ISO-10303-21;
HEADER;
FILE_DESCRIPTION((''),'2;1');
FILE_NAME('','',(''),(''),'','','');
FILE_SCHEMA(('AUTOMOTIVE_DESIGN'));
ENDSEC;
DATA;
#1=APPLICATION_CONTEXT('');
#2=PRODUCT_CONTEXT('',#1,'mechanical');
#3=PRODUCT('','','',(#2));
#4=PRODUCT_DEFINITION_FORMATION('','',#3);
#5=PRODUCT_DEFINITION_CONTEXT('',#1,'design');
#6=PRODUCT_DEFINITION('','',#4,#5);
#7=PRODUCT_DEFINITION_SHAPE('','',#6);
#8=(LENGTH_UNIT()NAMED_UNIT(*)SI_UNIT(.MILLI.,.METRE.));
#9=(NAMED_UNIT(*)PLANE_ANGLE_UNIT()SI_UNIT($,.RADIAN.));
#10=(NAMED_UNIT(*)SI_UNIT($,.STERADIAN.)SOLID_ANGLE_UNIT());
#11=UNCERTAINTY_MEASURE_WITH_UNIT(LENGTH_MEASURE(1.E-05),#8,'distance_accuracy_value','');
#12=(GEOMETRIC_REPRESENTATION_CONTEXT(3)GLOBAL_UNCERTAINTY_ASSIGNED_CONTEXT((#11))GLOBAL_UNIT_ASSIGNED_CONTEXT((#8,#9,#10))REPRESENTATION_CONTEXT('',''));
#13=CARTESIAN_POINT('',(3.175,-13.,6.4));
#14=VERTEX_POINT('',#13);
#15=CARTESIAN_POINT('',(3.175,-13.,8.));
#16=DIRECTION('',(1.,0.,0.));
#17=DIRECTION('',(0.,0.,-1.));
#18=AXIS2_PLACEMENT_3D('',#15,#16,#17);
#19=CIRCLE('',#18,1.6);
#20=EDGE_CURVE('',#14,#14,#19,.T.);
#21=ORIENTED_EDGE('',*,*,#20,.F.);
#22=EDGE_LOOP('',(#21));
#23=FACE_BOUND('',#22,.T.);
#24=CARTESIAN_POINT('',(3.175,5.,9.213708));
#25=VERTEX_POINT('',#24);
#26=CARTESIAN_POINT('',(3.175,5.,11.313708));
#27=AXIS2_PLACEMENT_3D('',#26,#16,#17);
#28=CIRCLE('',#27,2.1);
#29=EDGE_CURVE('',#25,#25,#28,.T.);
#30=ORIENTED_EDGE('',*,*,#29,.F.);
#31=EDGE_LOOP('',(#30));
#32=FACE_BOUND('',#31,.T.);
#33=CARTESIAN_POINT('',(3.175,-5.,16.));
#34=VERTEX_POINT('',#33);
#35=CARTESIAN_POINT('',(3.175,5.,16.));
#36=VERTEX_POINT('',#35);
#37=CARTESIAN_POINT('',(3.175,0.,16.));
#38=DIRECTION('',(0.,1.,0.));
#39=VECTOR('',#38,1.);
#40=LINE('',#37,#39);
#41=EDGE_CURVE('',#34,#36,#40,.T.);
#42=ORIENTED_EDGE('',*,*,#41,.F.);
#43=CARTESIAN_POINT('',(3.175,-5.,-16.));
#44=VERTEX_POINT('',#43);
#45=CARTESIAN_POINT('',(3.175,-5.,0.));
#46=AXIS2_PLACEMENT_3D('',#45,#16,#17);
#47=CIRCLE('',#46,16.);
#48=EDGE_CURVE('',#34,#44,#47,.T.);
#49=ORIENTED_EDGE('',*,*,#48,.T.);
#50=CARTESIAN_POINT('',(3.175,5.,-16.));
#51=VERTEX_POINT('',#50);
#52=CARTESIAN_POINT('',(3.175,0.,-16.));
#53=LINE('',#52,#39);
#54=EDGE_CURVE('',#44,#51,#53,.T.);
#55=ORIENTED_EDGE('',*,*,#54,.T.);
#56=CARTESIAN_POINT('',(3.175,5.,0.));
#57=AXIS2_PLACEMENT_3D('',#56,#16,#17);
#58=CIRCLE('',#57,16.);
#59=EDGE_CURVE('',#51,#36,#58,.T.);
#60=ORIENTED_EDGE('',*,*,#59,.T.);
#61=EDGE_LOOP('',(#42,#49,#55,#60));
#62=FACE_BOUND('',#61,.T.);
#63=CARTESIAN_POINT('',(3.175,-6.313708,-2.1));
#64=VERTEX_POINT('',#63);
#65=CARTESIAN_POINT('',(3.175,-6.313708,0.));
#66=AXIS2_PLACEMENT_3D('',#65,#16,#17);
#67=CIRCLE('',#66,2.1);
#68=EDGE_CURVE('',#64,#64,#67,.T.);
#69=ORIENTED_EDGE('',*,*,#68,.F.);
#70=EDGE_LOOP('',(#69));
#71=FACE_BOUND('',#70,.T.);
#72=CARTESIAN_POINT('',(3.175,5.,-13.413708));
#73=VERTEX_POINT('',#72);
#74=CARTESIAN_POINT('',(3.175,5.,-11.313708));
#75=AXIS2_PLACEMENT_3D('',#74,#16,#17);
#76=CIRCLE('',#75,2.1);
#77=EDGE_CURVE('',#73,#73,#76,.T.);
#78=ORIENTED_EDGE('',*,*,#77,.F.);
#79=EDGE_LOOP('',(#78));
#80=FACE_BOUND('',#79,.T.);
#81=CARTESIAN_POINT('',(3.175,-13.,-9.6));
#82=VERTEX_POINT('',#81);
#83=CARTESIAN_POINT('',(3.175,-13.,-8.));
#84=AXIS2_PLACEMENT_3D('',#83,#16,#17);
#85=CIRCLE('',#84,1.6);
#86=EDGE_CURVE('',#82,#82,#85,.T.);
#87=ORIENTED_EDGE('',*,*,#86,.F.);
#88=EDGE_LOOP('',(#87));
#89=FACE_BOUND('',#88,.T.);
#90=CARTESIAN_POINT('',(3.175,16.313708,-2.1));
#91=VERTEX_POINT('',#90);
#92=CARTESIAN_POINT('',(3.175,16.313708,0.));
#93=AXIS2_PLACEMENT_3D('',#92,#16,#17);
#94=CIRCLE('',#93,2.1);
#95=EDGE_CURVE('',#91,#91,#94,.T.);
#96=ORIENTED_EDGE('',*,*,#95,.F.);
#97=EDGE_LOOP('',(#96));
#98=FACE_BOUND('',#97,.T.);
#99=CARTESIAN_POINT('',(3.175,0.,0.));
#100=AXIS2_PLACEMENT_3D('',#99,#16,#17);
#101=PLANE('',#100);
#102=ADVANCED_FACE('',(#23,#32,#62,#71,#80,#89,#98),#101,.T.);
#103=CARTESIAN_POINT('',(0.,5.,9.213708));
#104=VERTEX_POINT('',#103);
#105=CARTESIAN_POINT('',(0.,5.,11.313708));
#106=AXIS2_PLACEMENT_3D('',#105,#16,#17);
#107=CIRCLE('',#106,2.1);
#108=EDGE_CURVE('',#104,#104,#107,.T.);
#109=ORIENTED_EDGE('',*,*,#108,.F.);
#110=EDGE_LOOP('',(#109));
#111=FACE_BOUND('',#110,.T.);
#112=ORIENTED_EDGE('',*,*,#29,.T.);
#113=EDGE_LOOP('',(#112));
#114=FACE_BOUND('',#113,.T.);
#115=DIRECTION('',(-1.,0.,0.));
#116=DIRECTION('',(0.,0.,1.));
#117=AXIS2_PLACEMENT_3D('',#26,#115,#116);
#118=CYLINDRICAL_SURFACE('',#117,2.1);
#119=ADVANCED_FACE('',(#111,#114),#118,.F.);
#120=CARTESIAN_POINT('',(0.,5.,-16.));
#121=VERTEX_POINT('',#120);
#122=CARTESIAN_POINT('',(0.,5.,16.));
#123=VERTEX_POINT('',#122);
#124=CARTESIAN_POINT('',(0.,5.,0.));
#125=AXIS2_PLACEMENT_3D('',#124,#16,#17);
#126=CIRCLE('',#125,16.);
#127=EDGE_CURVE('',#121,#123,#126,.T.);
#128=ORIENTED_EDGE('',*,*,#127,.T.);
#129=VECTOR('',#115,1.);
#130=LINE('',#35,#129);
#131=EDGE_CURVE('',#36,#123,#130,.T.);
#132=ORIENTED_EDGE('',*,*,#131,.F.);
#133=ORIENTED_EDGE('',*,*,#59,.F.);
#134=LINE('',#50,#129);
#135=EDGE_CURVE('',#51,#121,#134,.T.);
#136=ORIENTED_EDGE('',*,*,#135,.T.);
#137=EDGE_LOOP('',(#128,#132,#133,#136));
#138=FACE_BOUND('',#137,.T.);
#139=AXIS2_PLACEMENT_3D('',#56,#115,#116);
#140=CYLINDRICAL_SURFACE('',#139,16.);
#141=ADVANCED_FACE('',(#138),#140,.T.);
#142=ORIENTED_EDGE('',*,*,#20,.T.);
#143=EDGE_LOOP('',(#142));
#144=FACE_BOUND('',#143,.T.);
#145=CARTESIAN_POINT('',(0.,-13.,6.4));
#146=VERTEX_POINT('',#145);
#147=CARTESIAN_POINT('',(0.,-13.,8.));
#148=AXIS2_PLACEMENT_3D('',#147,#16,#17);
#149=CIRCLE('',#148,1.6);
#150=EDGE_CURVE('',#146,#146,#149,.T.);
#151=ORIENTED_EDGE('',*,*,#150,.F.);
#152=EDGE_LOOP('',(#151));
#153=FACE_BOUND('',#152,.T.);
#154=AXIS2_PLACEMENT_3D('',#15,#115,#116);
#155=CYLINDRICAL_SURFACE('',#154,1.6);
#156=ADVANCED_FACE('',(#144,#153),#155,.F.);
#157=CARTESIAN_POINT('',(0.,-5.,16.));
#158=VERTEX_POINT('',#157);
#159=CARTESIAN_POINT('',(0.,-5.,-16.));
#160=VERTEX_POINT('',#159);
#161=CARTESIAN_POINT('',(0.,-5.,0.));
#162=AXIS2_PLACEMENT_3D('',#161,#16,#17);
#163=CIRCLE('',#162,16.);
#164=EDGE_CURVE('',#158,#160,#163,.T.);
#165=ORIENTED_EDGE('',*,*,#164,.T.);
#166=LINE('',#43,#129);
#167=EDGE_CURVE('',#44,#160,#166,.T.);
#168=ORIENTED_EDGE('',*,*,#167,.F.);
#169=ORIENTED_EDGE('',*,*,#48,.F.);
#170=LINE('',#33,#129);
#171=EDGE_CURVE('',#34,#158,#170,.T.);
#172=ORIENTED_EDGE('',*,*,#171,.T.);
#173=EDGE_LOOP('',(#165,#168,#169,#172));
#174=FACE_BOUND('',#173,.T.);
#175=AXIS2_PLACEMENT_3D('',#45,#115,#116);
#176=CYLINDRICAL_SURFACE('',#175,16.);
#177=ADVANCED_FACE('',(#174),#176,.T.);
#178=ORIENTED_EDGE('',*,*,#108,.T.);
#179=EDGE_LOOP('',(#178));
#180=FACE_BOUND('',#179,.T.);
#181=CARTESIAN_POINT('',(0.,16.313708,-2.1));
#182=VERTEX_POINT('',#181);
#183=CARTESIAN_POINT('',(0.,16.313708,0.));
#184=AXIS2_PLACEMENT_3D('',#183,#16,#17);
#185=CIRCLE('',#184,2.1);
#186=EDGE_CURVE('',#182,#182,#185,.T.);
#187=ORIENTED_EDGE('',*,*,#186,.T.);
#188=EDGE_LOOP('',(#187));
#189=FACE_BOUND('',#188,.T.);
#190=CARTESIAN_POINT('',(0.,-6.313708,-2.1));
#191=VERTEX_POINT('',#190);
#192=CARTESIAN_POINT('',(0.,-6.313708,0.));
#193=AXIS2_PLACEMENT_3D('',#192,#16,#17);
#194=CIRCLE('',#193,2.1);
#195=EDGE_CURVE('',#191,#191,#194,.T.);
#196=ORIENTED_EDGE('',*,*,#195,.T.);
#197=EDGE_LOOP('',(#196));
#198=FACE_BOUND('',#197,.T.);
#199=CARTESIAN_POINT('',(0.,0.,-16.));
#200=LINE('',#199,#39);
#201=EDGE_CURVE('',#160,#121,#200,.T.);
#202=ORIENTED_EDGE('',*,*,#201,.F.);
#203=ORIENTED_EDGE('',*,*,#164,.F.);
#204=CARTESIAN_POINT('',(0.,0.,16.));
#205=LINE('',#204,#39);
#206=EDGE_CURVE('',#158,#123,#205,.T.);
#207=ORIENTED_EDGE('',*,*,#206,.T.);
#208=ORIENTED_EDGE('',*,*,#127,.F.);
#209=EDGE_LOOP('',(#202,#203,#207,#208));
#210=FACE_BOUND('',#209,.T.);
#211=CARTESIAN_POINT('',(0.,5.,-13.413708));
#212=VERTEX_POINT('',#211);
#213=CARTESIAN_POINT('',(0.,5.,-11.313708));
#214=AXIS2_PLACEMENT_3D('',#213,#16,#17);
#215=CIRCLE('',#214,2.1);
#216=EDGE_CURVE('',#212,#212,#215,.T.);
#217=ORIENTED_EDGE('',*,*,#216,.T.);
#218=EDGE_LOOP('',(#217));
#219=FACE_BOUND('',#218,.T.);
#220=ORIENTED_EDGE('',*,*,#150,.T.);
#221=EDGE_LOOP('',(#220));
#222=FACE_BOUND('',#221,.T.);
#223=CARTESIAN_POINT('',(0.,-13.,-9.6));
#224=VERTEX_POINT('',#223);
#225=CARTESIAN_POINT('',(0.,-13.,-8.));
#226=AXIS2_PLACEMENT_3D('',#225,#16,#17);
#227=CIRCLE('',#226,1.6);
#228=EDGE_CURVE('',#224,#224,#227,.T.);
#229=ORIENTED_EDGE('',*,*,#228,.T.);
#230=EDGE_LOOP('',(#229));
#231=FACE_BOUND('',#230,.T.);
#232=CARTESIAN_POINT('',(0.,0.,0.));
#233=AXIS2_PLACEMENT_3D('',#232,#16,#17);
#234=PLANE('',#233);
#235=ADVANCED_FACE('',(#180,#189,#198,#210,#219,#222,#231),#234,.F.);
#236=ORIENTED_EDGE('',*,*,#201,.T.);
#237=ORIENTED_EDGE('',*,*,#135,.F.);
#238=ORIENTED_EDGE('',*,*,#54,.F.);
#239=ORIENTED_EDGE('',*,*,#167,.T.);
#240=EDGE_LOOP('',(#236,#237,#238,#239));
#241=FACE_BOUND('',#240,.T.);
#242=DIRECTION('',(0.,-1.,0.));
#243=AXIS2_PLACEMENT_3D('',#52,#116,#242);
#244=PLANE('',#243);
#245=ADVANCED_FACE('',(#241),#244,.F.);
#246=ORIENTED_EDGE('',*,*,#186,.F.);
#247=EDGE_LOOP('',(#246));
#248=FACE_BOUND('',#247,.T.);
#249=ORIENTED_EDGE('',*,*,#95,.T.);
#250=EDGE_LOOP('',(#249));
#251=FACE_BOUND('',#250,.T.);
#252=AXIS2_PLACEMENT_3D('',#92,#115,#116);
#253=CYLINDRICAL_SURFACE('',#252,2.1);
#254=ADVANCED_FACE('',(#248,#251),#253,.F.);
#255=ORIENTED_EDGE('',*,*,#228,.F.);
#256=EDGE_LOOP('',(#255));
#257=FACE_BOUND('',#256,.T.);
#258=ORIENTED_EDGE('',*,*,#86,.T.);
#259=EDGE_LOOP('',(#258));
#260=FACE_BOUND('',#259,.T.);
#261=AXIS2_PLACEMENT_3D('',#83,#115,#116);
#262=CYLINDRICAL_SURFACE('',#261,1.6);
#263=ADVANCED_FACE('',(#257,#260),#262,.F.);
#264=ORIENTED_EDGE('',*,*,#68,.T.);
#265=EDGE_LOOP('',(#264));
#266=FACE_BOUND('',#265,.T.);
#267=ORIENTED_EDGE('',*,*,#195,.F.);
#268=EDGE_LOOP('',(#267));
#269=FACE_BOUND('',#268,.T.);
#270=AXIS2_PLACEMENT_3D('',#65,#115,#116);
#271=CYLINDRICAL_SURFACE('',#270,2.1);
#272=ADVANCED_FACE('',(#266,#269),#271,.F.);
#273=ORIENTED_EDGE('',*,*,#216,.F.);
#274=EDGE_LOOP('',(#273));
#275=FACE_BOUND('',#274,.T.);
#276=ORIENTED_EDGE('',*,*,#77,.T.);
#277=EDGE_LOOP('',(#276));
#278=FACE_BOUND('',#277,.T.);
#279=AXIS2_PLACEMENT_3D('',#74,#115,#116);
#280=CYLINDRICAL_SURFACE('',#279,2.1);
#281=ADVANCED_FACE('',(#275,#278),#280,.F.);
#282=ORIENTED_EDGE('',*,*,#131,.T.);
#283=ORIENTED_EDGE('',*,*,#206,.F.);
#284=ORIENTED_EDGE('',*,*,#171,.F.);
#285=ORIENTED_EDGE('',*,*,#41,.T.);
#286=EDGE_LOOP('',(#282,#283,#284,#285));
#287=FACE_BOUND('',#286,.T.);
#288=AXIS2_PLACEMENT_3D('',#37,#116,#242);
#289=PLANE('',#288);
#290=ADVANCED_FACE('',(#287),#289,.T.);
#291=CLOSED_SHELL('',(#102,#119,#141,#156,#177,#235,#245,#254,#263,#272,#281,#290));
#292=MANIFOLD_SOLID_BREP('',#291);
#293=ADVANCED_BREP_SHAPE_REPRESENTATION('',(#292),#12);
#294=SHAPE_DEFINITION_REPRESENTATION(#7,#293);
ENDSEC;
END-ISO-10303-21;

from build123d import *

# Parameters (mm, degrees)
SKETCH2_R           = 1.6
SKETCH2_R_2         = 2.1
BOSS_EXTRUDE1_DEPTH = 3.175


with BuildPart() as part:
    # Sketch2 → Boss-Extrude1 (new body)
    with BuildSketch(Plane(origin=(0, 0, 0), x_dir=(0, 0, -1), z_dir=(1, 0, 0))):
        with BuildLine():
            Line((-16, 5), (-16, -5))
            ThreePointArc((-16, -5), (0, -21), (16, -5))
            Line((16, -5), (16, 5))
            ThreePointArc((16, 5), (0, 21), (-16, 5))
        make_face()
        with Locations((-8, -13)):
            Circle(SKETCH2_R, mode=Mode.SUBTRACT)
        with Locations((0, -6.313708499)):
            Circle(SKETCH2_R_2, mode=Mode.SUBTRACT)
        with Locations((8, -13)):
            Circle(SKETCH2_R, mode=Mode.SUBTRACT)
        with Locations((-11.313708499, 5)):
            Circle(SKETCH2_R_2, mode=Mode.SUBTRACT)
        with Locations((0, 16.313708499)):
            Circle(SKETCH2_R_2, mode=Mode.SUBTRACT)
        with Locations((11.313708499, 5)):
            Circle(SKETCH2_R_2, mode=Mode.SUBTRACT)
    extrude(amount=BOSS_EXTRUDE1_DEPTH)


solid = part.part
